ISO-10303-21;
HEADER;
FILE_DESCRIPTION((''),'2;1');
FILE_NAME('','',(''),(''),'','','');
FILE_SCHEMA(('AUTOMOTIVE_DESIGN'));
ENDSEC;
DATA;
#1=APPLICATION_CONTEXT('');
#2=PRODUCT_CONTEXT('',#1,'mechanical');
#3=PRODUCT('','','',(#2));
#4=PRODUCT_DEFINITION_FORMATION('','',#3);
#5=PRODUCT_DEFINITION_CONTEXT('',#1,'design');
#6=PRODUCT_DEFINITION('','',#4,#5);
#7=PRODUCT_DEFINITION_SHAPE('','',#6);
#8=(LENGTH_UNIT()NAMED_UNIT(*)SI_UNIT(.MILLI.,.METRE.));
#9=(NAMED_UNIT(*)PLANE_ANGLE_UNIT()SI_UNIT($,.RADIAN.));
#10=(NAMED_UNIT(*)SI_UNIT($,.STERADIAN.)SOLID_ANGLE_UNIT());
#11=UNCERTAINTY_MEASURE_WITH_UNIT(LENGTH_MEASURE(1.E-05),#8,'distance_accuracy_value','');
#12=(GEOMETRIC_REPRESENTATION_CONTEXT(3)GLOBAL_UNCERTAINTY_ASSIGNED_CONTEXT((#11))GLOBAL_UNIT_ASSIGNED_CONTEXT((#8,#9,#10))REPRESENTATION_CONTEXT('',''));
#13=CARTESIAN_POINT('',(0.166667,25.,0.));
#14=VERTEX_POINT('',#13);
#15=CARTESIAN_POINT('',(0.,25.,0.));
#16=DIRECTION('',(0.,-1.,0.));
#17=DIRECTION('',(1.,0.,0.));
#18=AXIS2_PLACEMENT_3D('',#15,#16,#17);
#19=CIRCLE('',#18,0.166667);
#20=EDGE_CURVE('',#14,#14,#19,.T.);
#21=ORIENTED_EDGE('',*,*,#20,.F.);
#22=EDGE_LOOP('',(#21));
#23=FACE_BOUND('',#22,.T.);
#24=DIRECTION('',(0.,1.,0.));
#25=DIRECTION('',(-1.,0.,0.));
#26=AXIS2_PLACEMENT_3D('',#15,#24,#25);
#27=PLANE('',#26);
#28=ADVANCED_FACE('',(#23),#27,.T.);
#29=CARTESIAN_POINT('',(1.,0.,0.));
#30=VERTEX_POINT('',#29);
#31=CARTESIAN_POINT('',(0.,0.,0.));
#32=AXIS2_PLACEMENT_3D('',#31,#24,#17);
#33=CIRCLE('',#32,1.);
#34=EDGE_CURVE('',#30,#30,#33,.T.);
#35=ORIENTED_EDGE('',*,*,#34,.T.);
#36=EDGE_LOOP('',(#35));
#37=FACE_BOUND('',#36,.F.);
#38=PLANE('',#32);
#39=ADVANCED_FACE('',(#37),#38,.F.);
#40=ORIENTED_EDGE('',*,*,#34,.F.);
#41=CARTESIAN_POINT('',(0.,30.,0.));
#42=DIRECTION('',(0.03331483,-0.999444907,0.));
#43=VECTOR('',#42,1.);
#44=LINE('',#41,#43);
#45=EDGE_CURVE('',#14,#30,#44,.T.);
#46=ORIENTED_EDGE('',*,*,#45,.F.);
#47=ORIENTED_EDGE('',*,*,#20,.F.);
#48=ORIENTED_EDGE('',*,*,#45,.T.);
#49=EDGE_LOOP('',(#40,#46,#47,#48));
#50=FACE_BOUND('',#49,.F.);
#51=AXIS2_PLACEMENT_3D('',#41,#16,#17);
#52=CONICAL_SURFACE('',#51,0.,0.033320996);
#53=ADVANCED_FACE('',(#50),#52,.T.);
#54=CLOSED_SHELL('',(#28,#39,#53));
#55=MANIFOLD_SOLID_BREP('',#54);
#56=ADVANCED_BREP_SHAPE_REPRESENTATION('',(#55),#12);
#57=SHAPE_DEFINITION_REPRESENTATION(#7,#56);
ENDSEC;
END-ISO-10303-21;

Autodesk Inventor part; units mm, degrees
ref_plane "YZ Plane" through (0, 0, 0) normal (1, 0, 0) x (0, 1, 0)
ref_plane "XY Plane" through (0, 0, 0) normal (0, 0, 1) x (1, 0, 0)
sketch "Sketch3" plane through (0, 0, 0) normal (0, 0, 1) x (1, 0, 0)
  line L0 (0, 0) -> (0, 30)
  line L1 (0, 30) -> (1, 0)
  line L2 (1, 0) -> (0, 0)
  dimension "d3" = 30
  dimension "d4" = 1
revolve "Revolution1" add sketch "Sketch3" angle 360 about axis through (0, 0, 0) along (0, 1, 0)
ref_plane "Work Plane1" through (0, 30, 0) normal (0, 1, 0) x (-1, 0, 0)
sketch "Sketch5" plane through (0, 30, 0) normal (0, 1, 0) x (-1, 0, 0)
  circle A0 centre (0, 0) radius 1 projected
  circle A1 centre (0, 0) radius 2.811
extrude "Extrusion3" cut sketch "Sketch5" against normal blind 5 contours A0 | A1
properties part number "LaserBeamEntry2_LOOP1DEF2"
